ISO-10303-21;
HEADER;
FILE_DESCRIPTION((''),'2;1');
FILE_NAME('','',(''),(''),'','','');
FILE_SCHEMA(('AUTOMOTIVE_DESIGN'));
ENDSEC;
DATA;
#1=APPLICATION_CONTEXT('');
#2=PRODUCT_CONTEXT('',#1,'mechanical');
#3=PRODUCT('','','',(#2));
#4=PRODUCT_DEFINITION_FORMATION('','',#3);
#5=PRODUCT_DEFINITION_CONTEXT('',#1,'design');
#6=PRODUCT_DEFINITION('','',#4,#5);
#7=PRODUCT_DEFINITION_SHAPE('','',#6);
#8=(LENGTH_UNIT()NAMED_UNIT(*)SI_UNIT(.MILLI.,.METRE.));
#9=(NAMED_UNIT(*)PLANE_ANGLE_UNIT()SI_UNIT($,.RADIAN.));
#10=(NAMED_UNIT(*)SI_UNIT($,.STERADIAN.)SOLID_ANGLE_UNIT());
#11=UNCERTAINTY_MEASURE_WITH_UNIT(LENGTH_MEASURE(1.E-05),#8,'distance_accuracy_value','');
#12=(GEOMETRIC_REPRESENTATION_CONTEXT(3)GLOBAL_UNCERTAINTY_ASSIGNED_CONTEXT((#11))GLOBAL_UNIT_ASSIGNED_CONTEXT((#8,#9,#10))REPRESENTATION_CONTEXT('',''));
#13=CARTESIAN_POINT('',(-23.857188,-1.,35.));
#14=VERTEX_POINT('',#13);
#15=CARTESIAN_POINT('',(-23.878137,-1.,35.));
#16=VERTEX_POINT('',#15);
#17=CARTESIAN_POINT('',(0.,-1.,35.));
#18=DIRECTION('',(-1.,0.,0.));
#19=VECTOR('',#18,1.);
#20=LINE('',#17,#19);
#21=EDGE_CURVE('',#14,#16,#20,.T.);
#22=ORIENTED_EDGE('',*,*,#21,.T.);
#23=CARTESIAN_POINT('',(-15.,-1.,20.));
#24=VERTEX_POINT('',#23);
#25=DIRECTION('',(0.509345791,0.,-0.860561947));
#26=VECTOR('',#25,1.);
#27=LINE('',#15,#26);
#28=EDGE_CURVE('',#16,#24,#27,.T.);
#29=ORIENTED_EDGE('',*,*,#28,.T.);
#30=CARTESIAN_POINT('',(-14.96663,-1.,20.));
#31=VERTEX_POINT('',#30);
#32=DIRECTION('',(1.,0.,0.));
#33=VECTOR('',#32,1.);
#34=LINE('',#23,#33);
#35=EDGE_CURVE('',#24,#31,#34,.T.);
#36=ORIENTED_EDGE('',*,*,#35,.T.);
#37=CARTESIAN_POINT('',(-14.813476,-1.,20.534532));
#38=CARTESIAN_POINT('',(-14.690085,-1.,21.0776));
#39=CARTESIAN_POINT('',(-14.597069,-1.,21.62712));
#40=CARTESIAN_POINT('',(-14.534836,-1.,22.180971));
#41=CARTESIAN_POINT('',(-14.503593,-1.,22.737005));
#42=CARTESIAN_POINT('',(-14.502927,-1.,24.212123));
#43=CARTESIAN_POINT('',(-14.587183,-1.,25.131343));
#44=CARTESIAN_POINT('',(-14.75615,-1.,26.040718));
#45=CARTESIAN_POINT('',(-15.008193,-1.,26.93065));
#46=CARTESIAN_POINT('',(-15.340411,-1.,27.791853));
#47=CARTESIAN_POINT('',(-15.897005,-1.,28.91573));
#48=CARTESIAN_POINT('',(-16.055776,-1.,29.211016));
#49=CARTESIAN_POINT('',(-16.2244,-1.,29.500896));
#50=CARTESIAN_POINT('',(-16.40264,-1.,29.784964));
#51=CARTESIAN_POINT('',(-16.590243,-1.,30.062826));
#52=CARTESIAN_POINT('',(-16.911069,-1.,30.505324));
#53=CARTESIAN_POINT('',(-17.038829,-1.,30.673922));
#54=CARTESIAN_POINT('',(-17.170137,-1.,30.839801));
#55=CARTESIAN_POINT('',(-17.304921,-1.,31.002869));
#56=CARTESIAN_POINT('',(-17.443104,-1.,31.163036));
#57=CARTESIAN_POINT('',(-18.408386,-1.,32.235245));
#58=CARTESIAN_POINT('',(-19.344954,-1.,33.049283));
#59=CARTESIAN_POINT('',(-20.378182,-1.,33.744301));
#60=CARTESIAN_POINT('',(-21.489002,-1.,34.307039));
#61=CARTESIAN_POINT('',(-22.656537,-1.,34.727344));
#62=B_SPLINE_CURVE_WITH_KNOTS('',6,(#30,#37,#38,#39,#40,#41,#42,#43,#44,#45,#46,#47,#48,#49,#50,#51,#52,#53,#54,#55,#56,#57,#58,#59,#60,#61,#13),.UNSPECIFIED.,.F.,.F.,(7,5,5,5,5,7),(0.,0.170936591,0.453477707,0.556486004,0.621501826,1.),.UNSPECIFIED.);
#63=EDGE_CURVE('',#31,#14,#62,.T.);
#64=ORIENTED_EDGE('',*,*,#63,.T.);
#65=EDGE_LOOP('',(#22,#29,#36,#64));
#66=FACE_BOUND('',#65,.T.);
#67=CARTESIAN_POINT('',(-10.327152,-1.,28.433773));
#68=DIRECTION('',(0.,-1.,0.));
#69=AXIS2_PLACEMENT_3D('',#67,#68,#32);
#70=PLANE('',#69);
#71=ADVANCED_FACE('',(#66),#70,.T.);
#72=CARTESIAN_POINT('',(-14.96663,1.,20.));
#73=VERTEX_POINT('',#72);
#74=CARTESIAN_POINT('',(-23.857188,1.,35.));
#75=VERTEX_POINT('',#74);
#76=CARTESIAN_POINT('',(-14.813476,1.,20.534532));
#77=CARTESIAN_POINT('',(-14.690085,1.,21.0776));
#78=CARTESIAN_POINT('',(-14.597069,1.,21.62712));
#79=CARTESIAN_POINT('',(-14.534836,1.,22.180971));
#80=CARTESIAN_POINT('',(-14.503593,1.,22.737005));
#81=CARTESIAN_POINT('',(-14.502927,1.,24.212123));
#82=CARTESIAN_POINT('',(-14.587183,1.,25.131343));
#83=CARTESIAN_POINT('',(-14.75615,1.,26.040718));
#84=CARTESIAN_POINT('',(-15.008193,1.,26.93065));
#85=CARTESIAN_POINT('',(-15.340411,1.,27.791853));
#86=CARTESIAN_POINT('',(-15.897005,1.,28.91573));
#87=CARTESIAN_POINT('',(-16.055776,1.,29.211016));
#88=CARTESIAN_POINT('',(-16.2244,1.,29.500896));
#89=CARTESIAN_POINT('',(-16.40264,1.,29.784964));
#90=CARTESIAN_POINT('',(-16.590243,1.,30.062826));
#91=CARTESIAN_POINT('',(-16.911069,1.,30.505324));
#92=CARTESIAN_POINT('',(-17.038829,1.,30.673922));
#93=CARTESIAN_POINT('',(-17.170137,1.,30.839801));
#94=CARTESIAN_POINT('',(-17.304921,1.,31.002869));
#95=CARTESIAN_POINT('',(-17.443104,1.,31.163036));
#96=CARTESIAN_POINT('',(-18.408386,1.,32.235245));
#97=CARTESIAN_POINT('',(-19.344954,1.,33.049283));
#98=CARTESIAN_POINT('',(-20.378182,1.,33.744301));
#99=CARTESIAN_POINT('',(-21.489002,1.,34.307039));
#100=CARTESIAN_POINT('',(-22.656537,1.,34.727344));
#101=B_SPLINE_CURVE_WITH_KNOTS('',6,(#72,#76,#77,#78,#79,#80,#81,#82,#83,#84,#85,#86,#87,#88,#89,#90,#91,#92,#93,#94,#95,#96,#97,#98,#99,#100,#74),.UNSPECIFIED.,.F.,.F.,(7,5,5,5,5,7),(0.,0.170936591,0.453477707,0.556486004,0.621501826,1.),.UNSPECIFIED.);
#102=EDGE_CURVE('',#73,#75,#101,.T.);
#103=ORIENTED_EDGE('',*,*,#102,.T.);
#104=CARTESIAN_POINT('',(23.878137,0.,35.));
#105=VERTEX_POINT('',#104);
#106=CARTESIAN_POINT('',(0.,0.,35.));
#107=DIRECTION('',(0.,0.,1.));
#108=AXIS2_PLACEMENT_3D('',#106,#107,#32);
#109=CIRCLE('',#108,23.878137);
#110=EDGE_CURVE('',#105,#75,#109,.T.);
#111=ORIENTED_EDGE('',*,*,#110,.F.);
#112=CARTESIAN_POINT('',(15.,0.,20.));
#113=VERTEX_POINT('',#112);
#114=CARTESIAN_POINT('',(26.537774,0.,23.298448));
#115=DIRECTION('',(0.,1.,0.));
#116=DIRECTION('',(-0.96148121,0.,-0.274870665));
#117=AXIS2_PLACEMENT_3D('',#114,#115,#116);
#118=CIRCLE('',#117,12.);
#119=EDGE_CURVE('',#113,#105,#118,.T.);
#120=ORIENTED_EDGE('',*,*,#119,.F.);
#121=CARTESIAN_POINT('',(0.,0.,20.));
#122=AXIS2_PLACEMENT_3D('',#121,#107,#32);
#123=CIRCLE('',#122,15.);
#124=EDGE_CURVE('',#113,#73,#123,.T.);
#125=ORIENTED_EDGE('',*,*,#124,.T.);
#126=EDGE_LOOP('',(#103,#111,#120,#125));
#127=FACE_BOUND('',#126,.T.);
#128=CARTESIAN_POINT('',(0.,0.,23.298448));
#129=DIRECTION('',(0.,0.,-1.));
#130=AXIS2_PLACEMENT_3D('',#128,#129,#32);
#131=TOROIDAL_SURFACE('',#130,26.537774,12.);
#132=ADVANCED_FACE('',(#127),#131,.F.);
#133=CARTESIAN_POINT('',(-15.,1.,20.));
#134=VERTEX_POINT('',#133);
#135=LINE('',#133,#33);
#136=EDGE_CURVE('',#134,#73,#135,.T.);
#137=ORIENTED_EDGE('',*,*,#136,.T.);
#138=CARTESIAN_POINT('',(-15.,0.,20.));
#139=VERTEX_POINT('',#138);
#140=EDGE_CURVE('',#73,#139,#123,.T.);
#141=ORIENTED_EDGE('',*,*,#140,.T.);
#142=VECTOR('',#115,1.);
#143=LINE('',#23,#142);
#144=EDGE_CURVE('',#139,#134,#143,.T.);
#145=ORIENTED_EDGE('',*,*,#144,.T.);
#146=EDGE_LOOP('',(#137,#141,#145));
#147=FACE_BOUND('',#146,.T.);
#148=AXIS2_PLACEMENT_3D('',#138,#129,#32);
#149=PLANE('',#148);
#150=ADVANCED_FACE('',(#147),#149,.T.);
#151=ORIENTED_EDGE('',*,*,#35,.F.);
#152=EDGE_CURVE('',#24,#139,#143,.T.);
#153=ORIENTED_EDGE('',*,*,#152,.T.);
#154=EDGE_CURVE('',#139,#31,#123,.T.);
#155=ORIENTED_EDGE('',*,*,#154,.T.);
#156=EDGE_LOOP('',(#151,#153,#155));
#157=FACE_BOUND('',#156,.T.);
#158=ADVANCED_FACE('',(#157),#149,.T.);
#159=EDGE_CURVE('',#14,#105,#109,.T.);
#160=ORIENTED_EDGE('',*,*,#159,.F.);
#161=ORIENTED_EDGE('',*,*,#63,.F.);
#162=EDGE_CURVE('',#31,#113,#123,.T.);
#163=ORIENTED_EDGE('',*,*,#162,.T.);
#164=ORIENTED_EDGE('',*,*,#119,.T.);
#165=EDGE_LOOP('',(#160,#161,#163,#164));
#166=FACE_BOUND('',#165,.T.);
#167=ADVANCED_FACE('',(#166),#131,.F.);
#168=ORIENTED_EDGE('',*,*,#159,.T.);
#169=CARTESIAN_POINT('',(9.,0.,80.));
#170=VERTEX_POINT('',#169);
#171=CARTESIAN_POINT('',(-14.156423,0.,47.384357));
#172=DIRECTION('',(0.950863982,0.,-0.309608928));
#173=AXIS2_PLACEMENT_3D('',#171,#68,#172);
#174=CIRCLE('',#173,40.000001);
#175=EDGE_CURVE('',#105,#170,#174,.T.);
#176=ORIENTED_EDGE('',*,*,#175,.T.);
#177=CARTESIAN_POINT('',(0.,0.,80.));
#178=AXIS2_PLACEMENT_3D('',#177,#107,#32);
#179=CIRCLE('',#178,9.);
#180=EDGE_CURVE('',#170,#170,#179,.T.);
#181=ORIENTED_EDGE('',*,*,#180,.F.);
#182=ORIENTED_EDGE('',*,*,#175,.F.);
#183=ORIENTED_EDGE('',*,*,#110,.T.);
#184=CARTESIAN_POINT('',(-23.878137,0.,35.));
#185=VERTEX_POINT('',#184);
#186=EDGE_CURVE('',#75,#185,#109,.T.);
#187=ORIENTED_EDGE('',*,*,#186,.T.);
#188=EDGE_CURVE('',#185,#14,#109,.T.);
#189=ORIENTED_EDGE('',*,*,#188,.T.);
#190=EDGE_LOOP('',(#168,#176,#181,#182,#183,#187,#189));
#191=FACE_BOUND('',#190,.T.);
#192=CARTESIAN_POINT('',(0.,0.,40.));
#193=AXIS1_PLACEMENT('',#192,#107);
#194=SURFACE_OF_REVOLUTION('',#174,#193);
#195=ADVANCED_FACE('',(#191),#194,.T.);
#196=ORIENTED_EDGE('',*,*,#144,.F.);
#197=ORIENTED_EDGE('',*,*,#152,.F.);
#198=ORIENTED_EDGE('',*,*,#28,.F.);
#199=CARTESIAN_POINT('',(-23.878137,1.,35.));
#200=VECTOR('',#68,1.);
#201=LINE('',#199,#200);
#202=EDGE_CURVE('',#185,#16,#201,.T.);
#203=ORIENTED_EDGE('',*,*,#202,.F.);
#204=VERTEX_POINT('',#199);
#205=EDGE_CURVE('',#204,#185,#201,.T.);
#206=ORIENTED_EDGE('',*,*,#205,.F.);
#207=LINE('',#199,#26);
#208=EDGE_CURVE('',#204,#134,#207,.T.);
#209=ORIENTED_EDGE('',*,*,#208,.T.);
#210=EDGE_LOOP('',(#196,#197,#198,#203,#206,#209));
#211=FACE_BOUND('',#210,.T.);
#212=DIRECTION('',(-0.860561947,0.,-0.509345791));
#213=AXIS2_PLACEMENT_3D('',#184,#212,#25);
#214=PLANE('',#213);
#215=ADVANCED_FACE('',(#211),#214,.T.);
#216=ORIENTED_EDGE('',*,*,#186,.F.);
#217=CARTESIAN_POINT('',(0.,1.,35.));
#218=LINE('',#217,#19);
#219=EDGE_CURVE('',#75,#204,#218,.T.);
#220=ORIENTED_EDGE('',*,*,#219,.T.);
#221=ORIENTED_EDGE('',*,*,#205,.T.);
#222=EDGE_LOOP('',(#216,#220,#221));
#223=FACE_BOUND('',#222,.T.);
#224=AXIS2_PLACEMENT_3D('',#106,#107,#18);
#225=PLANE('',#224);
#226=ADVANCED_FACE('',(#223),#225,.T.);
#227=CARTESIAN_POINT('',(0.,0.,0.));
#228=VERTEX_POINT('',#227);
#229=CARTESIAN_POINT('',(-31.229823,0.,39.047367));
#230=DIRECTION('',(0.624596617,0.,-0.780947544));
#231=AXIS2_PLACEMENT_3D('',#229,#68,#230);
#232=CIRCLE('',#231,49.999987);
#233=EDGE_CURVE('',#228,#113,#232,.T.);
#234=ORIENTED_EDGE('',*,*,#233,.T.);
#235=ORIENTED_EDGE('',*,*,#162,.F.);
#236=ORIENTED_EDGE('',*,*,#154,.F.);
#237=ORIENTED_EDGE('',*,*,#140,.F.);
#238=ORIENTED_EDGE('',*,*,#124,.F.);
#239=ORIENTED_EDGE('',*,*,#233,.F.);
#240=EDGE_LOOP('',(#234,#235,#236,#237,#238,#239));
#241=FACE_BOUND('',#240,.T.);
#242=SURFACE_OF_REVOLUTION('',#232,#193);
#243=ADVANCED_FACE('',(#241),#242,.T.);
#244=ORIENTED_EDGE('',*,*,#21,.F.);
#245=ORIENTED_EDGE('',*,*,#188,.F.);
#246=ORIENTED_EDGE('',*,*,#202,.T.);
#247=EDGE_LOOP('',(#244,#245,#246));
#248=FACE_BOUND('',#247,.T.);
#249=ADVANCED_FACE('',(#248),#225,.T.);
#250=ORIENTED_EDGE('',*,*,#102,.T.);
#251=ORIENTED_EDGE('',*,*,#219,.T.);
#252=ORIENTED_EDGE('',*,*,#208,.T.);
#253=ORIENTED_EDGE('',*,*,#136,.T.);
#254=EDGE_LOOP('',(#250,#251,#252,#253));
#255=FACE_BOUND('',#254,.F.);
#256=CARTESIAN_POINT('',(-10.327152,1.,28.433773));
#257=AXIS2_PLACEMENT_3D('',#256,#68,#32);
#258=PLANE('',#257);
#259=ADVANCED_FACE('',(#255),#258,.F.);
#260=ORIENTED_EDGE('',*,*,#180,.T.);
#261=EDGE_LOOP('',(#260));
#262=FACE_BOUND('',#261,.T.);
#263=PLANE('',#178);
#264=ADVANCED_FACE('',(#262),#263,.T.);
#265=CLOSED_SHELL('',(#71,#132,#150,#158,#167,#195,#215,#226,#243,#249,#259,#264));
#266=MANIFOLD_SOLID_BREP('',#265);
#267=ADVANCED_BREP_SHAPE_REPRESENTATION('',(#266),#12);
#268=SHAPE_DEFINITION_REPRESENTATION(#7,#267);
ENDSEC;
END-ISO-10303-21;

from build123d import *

# Parameters (mm, degrees)
F3_DEPTH = 1


with BuildPart() as f1:
    # F0 (on Front) → F1 (revolve)
    with BuildSketch(Plane.XZ):
        with BuildLine():
            Line((0, 80), (0, 35))
            Line((0, 35), (23.878137, 35))
            ThreePointArc((23.878137, 35), (23.821651, 59.940868), (9, 80))
            Line((9, 80), (0, 80))
        make_face()
        with BuildLine():
            Line((0, 35), (0, 20))
            Line((0, 20), (15, 20))
            ThreePointArc((15, 20), (16.211031, 29.410597), (23.878137, 35))
            Line((23.878137, 35), (0, 35))
        make_face()
        with BuildLine():
            Line((0, 20), (0, 0))
            ThreePointArc((0, 0), (8.770167, 9.047375), (15, 20))
            Line((15, 20), (0, 20))
        make_face()
    revolve(axis=Axis((0, 0, 40), (0, 0, 1)))

    # F2 (on Front) → F3 (join, symmetric)
    with BuildSketch(Plane.XZ):
        Polygon((0, 20), (0, 35), (-23.878137, 35), (-15, 20), align=None)
    extrude(amount=F3_DEPTH, both=True)


solid = f1.part
